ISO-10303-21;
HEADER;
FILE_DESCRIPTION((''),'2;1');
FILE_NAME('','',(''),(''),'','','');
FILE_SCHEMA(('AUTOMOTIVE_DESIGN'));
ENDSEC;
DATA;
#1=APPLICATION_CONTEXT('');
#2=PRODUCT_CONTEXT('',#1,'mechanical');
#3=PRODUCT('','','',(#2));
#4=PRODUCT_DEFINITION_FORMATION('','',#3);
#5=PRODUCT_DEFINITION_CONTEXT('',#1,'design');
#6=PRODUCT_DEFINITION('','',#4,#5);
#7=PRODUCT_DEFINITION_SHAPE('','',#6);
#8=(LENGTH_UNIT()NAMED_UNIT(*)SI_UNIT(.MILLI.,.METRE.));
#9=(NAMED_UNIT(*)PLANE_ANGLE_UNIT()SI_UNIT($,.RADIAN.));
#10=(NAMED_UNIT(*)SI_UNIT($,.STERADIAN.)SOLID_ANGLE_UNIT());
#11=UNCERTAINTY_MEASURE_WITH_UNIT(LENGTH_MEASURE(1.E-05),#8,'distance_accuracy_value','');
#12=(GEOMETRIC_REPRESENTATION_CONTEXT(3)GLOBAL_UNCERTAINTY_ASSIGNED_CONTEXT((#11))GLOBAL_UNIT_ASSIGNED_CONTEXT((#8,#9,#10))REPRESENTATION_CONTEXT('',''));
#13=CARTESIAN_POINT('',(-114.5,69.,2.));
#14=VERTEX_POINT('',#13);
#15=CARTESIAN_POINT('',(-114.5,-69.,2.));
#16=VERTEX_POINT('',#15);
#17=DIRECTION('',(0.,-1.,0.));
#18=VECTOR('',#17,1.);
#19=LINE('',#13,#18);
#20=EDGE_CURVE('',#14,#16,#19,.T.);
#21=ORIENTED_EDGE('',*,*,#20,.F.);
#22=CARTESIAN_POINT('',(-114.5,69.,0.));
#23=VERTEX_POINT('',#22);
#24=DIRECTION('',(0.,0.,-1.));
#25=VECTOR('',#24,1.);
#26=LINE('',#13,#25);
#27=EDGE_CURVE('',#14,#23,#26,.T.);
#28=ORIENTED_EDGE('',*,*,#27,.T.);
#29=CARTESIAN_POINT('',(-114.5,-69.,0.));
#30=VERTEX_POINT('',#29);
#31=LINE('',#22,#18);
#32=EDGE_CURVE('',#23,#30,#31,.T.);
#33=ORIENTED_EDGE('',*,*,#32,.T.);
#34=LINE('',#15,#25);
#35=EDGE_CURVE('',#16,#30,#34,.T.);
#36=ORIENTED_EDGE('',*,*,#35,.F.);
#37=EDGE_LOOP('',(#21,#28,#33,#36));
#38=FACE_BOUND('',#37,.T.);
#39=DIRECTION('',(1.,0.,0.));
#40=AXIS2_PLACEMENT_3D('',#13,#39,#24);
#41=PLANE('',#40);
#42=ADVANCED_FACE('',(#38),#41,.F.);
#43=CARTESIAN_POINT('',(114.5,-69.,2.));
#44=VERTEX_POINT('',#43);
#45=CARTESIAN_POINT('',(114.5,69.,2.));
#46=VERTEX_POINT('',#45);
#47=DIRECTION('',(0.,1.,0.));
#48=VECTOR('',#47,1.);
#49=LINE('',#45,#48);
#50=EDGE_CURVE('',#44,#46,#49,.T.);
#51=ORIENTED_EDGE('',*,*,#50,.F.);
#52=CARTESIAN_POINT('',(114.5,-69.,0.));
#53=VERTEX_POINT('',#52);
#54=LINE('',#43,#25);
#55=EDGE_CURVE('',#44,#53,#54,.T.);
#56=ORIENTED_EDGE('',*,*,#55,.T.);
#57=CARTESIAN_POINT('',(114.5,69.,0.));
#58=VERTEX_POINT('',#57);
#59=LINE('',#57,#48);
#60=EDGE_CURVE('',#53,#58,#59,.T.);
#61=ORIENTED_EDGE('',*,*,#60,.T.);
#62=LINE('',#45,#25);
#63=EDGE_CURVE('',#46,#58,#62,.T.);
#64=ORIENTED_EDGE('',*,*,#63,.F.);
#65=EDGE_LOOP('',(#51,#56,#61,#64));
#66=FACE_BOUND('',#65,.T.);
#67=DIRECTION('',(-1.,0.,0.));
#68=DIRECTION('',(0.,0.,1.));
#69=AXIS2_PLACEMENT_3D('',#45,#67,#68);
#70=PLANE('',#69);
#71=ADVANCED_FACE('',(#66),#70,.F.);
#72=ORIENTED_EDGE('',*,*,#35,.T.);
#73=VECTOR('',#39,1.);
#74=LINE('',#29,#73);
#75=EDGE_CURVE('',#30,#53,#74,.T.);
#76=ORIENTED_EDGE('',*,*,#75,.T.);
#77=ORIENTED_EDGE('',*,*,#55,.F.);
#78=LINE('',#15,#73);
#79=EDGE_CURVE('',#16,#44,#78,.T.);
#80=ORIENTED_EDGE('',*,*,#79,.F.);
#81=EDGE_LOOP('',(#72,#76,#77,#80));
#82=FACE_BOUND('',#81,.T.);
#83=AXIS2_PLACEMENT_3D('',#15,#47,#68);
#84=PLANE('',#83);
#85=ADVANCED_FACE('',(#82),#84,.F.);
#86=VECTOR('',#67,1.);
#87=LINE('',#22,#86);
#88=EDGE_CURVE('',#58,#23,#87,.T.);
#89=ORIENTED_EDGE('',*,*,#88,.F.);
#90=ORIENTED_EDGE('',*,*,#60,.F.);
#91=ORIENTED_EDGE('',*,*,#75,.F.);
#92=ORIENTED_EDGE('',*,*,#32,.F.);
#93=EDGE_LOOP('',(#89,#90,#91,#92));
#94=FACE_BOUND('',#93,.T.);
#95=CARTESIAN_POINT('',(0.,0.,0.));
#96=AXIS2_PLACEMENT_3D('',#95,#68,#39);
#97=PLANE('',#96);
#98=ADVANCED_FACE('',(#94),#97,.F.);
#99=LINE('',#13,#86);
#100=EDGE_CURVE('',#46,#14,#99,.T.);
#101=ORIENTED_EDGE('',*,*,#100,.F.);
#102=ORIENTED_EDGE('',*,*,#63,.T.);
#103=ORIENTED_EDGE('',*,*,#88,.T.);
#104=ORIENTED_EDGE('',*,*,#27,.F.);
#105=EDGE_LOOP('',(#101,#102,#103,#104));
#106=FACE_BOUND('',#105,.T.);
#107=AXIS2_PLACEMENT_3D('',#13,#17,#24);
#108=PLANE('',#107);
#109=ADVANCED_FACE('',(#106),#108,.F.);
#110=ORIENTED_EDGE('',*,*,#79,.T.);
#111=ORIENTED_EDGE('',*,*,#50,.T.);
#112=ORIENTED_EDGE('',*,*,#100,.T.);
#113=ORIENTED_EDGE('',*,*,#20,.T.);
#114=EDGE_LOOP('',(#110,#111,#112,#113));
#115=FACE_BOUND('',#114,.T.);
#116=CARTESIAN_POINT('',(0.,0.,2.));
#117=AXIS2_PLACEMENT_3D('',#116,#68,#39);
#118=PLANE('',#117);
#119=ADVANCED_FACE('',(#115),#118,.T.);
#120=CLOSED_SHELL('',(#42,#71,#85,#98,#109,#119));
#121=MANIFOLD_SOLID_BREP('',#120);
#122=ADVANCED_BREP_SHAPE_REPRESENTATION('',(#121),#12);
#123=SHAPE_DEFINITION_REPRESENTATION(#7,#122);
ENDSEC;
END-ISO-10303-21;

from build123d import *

# Parameters (mm, degrees)
SKETCH_1_W      = 229
SKETCH_1_H      = 138
EXTRUDE_1_DEPTH = 2


with BuildPart() as part:
    # 스케치1 → 보스-돌출1 (new body)
    with BuildSketch(Plane.XY):
        Rectangle(SKETCH_1_W, SKETCH_1_H)
    extrude(amount=EXTRUDE_1_DEPTH)


solid = part.part
